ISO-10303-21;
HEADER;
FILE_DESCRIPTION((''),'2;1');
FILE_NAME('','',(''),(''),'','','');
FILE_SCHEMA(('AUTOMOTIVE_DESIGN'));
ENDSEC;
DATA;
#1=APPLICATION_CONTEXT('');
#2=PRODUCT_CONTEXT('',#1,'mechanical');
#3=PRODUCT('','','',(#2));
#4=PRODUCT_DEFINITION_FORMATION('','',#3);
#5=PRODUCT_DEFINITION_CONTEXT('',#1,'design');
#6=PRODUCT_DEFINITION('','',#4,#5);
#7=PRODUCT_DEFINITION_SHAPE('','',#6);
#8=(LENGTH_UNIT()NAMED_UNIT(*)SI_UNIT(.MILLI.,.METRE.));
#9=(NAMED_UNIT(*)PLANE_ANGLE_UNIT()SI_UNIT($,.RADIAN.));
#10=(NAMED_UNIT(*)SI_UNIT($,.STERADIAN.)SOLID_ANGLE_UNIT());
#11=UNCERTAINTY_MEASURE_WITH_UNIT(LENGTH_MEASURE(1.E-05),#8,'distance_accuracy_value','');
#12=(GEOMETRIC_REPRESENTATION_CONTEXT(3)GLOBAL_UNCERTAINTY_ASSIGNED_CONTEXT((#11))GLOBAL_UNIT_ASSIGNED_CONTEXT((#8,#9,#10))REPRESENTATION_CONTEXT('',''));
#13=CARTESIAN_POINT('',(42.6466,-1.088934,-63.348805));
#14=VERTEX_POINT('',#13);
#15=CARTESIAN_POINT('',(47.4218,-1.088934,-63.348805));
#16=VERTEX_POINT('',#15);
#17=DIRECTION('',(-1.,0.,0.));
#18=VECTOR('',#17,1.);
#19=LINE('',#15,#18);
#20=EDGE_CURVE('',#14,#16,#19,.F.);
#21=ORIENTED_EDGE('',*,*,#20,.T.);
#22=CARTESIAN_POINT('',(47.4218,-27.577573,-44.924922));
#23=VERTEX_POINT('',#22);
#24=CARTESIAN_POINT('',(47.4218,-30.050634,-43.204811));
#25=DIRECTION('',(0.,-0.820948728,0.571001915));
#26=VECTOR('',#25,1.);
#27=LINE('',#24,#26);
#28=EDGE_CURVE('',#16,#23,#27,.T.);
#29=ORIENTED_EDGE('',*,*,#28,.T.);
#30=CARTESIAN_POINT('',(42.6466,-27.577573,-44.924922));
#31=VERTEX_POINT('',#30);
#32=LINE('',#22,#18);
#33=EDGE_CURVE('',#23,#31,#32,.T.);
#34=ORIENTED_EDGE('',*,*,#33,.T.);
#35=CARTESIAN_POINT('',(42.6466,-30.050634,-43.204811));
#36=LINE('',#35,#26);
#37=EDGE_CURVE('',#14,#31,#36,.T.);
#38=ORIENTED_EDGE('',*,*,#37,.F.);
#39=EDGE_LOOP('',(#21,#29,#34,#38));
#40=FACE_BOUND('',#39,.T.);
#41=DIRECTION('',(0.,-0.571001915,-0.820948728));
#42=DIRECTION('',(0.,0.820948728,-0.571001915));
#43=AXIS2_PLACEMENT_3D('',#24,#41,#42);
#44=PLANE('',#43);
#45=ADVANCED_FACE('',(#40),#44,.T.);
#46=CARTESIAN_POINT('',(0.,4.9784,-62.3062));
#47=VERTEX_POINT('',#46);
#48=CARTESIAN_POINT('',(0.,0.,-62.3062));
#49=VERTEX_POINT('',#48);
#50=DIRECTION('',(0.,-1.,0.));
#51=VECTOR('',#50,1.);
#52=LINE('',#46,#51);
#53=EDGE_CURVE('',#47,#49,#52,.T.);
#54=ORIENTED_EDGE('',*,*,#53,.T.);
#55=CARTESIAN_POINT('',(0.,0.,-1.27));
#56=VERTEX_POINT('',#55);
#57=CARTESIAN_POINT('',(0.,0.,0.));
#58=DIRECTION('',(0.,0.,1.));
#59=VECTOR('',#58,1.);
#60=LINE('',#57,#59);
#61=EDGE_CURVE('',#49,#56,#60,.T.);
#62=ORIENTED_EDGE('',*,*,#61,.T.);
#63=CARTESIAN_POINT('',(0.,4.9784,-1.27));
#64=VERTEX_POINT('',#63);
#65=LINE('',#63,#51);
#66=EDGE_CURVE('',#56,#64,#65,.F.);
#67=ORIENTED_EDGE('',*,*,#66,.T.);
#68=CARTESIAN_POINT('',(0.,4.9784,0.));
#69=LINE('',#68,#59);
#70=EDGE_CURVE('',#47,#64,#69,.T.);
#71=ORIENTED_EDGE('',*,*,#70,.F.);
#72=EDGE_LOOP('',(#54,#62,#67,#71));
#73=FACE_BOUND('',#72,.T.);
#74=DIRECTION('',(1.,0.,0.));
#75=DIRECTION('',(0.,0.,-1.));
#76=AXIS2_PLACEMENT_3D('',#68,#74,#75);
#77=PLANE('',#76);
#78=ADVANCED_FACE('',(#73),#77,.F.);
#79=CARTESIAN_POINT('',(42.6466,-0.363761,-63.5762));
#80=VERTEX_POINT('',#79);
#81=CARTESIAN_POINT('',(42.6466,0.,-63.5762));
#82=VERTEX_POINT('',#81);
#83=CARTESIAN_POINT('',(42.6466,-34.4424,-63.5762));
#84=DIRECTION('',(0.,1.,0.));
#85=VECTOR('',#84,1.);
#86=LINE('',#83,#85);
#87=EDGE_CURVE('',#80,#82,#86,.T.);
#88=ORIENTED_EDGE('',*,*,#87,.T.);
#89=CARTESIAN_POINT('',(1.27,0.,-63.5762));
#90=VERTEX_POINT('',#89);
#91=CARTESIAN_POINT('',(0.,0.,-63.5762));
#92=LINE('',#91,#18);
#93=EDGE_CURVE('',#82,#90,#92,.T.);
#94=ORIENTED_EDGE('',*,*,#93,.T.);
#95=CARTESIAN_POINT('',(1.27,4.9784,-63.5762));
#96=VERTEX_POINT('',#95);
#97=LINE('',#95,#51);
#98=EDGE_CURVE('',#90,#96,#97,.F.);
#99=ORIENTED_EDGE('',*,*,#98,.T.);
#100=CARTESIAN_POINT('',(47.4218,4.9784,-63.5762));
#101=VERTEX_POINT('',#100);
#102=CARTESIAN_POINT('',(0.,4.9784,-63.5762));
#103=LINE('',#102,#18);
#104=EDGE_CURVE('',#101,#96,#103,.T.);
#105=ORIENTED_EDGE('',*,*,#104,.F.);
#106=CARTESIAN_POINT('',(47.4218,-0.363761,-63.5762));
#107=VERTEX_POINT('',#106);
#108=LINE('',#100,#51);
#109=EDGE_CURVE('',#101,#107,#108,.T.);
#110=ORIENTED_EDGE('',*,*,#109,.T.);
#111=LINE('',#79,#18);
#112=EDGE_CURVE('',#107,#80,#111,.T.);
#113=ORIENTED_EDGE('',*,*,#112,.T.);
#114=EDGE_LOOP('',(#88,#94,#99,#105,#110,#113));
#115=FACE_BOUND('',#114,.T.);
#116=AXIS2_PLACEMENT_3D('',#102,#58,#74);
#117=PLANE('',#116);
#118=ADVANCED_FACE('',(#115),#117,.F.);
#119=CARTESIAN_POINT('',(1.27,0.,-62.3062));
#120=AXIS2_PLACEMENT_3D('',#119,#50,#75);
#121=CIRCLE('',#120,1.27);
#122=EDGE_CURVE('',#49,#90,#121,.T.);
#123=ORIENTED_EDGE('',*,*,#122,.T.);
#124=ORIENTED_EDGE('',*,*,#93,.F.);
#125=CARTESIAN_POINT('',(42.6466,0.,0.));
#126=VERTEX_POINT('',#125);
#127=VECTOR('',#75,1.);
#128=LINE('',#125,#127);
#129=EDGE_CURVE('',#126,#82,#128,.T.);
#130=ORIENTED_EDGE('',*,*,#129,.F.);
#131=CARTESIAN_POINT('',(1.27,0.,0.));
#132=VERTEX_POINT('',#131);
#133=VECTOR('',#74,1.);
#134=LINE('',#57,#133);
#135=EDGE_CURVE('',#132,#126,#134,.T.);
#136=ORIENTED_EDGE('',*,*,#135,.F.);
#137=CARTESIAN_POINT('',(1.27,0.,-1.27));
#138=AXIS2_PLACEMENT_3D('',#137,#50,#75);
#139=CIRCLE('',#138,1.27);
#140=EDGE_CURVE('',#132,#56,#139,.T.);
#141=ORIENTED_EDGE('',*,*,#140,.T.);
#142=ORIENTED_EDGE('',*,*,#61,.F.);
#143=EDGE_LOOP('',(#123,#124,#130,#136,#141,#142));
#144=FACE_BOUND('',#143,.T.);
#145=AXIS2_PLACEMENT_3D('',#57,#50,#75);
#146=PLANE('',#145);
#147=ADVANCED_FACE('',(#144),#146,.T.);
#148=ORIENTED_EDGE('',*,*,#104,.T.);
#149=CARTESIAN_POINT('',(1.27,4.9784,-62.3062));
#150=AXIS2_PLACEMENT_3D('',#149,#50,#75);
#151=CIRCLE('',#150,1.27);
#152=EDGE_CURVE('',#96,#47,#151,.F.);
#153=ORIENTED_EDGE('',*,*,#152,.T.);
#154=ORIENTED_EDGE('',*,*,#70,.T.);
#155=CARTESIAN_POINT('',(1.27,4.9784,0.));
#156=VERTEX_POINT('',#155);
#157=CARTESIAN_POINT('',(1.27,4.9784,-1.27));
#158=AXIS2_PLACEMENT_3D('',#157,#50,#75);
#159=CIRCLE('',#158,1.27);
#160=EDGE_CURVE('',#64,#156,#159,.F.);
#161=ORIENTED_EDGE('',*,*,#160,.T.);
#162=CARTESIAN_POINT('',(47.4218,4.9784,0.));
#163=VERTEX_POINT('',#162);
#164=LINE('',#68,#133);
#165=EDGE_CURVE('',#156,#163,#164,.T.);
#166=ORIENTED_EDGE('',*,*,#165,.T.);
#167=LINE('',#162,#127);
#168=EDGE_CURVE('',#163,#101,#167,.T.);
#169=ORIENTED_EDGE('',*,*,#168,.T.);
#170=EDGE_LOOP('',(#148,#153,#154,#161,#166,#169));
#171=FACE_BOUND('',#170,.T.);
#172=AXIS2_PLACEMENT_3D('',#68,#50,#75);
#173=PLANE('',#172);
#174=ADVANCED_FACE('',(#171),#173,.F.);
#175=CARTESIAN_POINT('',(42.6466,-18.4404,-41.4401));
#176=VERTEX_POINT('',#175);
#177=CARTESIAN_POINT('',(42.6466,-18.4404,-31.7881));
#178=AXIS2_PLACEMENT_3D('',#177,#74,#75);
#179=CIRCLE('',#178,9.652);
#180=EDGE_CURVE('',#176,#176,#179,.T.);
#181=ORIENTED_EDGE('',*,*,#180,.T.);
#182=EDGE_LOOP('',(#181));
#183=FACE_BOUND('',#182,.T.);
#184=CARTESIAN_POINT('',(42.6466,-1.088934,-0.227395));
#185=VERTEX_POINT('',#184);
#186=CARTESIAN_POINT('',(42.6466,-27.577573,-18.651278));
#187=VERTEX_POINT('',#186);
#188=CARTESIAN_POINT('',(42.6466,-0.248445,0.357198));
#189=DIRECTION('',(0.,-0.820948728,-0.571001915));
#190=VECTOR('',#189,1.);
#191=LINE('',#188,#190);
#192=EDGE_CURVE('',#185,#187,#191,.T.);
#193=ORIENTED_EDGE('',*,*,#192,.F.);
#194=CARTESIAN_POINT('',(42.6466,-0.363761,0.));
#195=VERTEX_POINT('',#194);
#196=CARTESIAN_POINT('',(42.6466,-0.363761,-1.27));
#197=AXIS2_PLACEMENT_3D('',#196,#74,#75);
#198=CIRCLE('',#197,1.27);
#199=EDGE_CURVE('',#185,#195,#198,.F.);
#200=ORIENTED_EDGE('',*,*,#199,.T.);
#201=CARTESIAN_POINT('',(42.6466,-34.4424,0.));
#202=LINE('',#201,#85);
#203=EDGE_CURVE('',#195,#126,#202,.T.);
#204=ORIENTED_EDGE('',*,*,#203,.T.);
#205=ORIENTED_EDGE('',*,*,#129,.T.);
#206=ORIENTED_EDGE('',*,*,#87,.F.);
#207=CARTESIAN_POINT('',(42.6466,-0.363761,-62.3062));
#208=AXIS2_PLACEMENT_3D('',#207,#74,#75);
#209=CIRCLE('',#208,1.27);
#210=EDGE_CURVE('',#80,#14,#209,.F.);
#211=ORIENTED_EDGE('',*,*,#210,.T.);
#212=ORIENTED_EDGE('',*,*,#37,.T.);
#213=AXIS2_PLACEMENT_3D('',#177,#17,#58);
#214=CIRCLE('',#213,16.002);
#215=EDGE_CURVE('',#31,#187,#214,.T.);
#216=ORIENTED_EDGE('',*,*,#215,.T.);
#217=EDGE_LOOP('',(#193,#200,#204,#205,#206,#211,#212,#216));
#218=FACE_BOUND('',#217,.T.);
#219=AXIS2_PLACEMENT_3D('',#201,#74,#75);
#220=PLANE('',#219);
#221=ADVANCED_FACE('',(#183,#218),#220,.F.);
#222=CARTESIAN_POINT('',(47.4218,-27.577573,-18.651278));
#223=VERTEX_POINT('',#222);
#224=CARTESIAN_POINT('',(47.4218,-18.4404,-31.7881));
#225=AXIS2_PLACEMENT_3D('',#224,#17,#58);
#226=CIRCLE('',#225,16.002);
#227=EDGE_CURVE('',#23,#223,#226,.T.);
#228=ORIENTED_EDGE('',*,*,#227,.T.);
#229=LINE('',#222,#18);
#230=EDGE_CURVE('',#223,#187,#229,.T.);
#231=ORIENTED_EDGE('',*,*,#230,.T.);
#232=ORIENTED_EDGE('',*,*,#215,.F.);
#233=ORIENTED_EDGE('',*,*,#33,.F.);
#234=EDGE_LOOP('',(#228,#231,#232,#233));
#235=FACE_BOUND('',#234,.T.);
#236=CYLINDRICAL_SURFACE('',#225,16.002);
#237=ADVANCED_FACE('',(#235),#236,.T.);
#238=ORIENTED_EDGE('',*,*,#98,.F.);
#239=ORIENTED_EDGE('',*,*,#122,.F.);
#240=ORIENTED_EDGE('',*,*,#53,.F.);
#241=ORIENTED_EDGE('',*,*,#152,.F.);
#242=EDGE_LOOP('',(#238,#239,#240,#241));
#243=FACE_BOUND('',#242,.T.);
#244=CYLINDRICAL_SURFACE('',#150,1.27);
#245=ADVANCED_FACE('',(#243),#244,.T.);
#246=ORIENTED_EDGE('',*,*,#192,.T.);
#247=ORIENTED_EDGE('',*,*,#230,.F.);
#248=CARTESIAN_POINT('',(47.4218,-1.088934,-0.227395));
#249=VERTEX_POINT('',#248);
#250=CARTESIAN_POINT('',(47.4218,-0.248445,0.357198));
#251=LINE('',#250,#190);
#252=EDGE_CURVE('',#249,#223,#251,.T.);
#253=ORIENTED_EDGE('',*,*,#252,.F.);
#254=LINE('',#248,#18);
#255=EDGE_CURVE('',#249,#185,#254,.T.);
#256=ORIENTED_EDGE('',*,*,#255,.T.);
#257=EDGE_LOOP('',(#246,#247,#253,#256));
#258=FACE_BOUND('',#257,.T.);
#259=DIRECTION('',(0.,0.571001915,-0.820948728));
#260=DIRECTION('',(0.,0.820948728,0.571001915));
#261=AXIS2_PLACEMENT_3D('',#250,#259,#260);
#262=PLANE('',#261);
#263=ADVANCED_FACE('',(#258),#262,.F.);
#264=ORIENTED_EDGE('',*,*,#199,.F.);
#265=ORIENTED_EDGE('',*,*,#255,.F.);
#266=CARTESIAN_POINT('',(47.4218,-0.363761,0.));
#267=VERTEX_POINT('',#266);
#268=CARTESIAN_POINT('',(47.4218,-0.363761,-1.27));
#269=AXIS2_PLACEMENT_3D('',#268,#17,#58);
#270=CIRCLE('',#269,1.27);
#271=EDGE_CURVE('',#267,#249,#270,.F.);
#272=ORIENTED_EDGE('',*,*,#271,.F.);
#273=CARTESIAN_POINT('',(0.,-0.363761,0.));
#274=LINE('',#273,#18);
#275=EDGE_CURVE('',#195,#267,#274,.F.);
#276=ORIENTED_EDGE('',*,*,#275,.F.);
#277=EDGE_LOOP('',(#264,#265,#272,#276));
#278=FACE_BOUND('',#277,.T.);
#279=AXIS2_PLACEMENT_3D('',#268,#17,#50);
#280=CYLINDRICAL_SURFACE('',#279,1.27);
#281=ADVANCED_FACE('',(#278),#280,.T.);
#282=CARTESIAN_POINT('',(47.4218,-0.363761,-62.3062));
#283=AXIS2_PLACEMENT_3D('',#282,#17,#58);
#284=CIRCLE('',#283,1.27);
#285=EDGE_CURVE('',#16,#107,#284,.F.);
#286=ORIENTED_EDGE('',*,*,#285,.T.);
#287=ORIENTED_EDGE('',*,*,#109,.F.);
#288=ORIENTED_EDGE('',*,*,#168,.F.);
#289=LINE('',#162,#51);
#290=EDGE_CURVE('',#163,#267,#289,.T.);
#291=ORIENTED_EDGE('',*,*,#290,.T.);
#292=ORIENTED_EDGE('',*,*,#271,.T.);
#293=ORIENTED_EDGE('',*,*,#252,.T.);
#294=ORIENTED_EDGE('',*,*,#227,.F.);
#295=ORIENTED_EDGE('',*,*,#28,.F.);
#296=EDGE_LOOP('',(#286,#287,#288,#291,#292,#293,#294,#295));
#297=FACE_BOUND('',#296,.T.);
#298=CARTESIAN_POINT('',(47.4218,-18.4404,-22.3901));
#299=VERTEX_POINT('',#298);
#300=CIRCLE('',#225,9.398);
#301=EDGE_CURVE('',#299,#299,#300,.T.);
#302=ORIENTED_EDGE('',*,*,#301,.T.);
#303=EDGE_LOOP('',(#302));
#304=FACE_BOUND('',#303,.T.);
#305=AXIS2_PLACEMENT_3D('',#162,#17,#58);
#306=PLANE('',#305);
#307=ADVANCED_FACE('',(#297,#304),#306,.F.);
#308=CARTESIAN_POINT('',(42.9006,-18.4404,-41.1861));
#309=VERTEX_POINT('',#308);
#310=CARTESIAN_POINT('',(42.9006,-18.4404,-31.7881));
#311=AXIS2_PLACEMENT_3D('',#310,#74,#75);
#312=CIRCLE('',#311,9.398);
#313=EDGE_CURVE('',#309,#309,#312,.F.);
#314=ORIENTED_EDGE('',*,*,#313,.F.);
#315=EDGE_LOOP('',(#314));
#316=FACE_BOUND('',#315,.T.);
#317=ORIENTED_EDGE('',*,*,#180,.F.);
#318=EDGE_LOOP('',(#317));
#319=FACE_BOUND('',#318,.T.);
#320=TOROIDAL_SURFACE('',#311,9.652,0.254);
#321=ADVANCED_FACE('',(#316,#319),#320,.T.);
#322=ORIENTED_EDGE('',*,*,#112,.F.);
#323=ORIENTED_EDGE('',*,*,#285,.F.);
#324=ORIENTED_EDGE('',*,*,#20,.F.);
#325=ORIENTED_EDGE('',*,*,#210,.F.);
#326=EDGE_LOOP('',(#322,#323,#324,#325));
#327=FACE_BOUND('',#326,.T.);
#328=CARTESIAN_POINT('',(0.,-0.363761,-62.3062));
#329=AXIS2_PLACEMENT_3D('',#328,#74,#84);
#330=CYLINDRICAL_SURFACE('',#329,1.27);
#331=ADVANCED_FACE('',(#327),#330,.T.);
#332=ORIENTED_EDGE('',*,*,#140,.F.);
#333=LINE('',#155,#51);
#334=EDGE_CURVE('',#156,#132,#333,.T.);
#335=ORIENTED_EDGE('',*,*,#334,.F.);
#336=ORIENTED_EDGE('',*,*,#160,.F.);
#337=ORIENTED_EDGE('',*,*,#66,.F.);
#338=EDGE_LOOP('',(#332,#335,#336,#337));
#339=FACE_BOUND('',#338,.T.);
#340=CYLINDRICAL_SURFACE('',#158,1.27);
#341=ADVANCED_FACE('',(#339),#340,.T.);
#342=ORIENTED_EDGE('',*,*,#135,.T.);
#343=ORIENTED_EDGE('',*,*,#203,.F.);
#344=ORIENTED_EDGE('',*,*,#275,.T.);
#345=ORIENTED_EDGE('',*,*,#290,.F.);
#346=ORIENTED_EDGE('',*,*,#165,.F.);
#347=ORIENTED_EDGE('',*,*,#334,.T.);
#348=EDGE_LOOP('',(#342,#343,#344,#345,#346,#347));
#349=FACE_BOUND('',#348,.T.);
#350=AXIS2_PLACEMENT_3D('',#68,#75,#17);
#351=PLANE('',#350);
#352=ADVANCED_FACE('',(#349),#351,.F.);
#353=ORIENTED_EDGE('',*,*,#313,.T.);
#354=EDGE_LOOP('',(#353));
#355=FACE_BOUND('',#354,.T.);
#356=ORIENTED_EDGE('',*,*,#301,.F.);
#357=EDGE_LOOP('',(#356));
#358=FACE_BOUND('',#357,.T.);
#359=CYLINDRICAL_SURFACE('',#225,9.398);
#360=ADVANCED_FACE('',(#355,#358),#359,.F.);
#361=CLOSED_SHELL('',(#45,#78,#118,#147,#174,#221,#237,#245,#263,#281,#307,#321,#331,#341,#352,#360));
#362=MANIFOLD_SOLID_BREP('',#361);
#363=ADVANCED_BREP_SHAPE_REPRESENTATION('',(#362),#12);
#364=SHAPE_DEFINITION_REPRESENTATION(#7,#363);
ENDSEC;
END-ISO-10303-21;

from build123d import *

# Parameters (mm, degrees)
SKETCH1_W           = 47.4218
SKETCH1_H           = 63.5762
BOSS_EXTRUDE1_DEPTH = 4.9784
SKETCH3_W           = 4.7752
SKETCH3_H           = 63.5762
BOSS_EXTRUDE2_DEPTH = 34.4424
SKETCH4_R           = 9.398
CUT_EXTRUDE1_DEPTH  = 5.7752
FILLET1_R           = 1.27
FILLET2_R           = 1.27
FILLET3_R           = 0.254


with BuildPart() as part:
    # Sketch1 → Boss-Extrude1 (new body)
    with BuildSketch(Plane(origin=(0, 0, 0), x_dir=(1, 0, 0), z_dir=(0, 1, 0))):
        with Locations((23.7109, 31.7881)):
            Rectangle(SKETCH1_W, SKETCH1_H)
    extrude(amount=BOSS_EXTRUDE1_DEPTH)

    # Sketch3 → Boss-Extrude2 (add)
    with BuildSketch(Plane.XZ):
        with Locations((45.0342, -31.7881)):
            Rectangle(SKETCH3_W, SKETCH3_H)
    extrude(amount=BOSS_EXTRUDE2_DEPTH)

    # Sketch4 → Cut-Extrude1 (cut, through all)
    with BuildSketch(Plane.ZY.offset(-42.6466)):
        with BuildLine():
            Line((0, -34.4424), (0, -0.762))
            Line((0, -0.762), (-18.65127846, -27.577572639))
            ThreePointArc((-18.65127846, -27.577572639), (-24.376927103, -32.622731271), (-31.7881, -34.4424))
            Line((-31.7881, -34.4424), (0, -34.4424))
        make_face()
        with BuildLine():
            Line((-44.92492154, -27.577572639), (-63.5762, -0.762))
            Line((-63.5762, -0.762), (-63.5762, -34.4424))
            Line((-63.5762, -34.4424), (-31.7881, -34.4424))
            ThreePointArc((-31.7881, -34.4424), (-39.199272897, -32.622731271), (-44.92492154, -27.577572639))
        make_face()
        with Locations((-31.7881, -18.4404)):
            Circle(SKETCH4_R)
    extrude(amount=-CUT_EXTRUDE1_DEPTH, mode=Mode.SUBTRACT)

    # Fillet1
    fillet1_edges = [part.edges().sort_by_distance(p)[0] for p in [
        (45.0342, -0.762, 0),
        (45.0342, -0.762, -63.5762),
    ]]
    fillet(fillet1_edges, radius=FILLET1_R)

    # Fillet2
    fillet2_edges = [part.edges().sort_by_distance(p)[0] for p in [
        (0, 2.4892, -63.5762),
        (0, 2.4892, 0),
    ]]
    fillet(fillet2_edges, radius=FILLET2_R)

    # Fillet3
    fillet3_edges = [part.edges().sort_by_distance(p)[0] for p in [
        (42.6466, -18.4404, -41.1861),
    ]]
    fillet(fillet3_edges, radius=FILLET3_R)


solid = part.part
